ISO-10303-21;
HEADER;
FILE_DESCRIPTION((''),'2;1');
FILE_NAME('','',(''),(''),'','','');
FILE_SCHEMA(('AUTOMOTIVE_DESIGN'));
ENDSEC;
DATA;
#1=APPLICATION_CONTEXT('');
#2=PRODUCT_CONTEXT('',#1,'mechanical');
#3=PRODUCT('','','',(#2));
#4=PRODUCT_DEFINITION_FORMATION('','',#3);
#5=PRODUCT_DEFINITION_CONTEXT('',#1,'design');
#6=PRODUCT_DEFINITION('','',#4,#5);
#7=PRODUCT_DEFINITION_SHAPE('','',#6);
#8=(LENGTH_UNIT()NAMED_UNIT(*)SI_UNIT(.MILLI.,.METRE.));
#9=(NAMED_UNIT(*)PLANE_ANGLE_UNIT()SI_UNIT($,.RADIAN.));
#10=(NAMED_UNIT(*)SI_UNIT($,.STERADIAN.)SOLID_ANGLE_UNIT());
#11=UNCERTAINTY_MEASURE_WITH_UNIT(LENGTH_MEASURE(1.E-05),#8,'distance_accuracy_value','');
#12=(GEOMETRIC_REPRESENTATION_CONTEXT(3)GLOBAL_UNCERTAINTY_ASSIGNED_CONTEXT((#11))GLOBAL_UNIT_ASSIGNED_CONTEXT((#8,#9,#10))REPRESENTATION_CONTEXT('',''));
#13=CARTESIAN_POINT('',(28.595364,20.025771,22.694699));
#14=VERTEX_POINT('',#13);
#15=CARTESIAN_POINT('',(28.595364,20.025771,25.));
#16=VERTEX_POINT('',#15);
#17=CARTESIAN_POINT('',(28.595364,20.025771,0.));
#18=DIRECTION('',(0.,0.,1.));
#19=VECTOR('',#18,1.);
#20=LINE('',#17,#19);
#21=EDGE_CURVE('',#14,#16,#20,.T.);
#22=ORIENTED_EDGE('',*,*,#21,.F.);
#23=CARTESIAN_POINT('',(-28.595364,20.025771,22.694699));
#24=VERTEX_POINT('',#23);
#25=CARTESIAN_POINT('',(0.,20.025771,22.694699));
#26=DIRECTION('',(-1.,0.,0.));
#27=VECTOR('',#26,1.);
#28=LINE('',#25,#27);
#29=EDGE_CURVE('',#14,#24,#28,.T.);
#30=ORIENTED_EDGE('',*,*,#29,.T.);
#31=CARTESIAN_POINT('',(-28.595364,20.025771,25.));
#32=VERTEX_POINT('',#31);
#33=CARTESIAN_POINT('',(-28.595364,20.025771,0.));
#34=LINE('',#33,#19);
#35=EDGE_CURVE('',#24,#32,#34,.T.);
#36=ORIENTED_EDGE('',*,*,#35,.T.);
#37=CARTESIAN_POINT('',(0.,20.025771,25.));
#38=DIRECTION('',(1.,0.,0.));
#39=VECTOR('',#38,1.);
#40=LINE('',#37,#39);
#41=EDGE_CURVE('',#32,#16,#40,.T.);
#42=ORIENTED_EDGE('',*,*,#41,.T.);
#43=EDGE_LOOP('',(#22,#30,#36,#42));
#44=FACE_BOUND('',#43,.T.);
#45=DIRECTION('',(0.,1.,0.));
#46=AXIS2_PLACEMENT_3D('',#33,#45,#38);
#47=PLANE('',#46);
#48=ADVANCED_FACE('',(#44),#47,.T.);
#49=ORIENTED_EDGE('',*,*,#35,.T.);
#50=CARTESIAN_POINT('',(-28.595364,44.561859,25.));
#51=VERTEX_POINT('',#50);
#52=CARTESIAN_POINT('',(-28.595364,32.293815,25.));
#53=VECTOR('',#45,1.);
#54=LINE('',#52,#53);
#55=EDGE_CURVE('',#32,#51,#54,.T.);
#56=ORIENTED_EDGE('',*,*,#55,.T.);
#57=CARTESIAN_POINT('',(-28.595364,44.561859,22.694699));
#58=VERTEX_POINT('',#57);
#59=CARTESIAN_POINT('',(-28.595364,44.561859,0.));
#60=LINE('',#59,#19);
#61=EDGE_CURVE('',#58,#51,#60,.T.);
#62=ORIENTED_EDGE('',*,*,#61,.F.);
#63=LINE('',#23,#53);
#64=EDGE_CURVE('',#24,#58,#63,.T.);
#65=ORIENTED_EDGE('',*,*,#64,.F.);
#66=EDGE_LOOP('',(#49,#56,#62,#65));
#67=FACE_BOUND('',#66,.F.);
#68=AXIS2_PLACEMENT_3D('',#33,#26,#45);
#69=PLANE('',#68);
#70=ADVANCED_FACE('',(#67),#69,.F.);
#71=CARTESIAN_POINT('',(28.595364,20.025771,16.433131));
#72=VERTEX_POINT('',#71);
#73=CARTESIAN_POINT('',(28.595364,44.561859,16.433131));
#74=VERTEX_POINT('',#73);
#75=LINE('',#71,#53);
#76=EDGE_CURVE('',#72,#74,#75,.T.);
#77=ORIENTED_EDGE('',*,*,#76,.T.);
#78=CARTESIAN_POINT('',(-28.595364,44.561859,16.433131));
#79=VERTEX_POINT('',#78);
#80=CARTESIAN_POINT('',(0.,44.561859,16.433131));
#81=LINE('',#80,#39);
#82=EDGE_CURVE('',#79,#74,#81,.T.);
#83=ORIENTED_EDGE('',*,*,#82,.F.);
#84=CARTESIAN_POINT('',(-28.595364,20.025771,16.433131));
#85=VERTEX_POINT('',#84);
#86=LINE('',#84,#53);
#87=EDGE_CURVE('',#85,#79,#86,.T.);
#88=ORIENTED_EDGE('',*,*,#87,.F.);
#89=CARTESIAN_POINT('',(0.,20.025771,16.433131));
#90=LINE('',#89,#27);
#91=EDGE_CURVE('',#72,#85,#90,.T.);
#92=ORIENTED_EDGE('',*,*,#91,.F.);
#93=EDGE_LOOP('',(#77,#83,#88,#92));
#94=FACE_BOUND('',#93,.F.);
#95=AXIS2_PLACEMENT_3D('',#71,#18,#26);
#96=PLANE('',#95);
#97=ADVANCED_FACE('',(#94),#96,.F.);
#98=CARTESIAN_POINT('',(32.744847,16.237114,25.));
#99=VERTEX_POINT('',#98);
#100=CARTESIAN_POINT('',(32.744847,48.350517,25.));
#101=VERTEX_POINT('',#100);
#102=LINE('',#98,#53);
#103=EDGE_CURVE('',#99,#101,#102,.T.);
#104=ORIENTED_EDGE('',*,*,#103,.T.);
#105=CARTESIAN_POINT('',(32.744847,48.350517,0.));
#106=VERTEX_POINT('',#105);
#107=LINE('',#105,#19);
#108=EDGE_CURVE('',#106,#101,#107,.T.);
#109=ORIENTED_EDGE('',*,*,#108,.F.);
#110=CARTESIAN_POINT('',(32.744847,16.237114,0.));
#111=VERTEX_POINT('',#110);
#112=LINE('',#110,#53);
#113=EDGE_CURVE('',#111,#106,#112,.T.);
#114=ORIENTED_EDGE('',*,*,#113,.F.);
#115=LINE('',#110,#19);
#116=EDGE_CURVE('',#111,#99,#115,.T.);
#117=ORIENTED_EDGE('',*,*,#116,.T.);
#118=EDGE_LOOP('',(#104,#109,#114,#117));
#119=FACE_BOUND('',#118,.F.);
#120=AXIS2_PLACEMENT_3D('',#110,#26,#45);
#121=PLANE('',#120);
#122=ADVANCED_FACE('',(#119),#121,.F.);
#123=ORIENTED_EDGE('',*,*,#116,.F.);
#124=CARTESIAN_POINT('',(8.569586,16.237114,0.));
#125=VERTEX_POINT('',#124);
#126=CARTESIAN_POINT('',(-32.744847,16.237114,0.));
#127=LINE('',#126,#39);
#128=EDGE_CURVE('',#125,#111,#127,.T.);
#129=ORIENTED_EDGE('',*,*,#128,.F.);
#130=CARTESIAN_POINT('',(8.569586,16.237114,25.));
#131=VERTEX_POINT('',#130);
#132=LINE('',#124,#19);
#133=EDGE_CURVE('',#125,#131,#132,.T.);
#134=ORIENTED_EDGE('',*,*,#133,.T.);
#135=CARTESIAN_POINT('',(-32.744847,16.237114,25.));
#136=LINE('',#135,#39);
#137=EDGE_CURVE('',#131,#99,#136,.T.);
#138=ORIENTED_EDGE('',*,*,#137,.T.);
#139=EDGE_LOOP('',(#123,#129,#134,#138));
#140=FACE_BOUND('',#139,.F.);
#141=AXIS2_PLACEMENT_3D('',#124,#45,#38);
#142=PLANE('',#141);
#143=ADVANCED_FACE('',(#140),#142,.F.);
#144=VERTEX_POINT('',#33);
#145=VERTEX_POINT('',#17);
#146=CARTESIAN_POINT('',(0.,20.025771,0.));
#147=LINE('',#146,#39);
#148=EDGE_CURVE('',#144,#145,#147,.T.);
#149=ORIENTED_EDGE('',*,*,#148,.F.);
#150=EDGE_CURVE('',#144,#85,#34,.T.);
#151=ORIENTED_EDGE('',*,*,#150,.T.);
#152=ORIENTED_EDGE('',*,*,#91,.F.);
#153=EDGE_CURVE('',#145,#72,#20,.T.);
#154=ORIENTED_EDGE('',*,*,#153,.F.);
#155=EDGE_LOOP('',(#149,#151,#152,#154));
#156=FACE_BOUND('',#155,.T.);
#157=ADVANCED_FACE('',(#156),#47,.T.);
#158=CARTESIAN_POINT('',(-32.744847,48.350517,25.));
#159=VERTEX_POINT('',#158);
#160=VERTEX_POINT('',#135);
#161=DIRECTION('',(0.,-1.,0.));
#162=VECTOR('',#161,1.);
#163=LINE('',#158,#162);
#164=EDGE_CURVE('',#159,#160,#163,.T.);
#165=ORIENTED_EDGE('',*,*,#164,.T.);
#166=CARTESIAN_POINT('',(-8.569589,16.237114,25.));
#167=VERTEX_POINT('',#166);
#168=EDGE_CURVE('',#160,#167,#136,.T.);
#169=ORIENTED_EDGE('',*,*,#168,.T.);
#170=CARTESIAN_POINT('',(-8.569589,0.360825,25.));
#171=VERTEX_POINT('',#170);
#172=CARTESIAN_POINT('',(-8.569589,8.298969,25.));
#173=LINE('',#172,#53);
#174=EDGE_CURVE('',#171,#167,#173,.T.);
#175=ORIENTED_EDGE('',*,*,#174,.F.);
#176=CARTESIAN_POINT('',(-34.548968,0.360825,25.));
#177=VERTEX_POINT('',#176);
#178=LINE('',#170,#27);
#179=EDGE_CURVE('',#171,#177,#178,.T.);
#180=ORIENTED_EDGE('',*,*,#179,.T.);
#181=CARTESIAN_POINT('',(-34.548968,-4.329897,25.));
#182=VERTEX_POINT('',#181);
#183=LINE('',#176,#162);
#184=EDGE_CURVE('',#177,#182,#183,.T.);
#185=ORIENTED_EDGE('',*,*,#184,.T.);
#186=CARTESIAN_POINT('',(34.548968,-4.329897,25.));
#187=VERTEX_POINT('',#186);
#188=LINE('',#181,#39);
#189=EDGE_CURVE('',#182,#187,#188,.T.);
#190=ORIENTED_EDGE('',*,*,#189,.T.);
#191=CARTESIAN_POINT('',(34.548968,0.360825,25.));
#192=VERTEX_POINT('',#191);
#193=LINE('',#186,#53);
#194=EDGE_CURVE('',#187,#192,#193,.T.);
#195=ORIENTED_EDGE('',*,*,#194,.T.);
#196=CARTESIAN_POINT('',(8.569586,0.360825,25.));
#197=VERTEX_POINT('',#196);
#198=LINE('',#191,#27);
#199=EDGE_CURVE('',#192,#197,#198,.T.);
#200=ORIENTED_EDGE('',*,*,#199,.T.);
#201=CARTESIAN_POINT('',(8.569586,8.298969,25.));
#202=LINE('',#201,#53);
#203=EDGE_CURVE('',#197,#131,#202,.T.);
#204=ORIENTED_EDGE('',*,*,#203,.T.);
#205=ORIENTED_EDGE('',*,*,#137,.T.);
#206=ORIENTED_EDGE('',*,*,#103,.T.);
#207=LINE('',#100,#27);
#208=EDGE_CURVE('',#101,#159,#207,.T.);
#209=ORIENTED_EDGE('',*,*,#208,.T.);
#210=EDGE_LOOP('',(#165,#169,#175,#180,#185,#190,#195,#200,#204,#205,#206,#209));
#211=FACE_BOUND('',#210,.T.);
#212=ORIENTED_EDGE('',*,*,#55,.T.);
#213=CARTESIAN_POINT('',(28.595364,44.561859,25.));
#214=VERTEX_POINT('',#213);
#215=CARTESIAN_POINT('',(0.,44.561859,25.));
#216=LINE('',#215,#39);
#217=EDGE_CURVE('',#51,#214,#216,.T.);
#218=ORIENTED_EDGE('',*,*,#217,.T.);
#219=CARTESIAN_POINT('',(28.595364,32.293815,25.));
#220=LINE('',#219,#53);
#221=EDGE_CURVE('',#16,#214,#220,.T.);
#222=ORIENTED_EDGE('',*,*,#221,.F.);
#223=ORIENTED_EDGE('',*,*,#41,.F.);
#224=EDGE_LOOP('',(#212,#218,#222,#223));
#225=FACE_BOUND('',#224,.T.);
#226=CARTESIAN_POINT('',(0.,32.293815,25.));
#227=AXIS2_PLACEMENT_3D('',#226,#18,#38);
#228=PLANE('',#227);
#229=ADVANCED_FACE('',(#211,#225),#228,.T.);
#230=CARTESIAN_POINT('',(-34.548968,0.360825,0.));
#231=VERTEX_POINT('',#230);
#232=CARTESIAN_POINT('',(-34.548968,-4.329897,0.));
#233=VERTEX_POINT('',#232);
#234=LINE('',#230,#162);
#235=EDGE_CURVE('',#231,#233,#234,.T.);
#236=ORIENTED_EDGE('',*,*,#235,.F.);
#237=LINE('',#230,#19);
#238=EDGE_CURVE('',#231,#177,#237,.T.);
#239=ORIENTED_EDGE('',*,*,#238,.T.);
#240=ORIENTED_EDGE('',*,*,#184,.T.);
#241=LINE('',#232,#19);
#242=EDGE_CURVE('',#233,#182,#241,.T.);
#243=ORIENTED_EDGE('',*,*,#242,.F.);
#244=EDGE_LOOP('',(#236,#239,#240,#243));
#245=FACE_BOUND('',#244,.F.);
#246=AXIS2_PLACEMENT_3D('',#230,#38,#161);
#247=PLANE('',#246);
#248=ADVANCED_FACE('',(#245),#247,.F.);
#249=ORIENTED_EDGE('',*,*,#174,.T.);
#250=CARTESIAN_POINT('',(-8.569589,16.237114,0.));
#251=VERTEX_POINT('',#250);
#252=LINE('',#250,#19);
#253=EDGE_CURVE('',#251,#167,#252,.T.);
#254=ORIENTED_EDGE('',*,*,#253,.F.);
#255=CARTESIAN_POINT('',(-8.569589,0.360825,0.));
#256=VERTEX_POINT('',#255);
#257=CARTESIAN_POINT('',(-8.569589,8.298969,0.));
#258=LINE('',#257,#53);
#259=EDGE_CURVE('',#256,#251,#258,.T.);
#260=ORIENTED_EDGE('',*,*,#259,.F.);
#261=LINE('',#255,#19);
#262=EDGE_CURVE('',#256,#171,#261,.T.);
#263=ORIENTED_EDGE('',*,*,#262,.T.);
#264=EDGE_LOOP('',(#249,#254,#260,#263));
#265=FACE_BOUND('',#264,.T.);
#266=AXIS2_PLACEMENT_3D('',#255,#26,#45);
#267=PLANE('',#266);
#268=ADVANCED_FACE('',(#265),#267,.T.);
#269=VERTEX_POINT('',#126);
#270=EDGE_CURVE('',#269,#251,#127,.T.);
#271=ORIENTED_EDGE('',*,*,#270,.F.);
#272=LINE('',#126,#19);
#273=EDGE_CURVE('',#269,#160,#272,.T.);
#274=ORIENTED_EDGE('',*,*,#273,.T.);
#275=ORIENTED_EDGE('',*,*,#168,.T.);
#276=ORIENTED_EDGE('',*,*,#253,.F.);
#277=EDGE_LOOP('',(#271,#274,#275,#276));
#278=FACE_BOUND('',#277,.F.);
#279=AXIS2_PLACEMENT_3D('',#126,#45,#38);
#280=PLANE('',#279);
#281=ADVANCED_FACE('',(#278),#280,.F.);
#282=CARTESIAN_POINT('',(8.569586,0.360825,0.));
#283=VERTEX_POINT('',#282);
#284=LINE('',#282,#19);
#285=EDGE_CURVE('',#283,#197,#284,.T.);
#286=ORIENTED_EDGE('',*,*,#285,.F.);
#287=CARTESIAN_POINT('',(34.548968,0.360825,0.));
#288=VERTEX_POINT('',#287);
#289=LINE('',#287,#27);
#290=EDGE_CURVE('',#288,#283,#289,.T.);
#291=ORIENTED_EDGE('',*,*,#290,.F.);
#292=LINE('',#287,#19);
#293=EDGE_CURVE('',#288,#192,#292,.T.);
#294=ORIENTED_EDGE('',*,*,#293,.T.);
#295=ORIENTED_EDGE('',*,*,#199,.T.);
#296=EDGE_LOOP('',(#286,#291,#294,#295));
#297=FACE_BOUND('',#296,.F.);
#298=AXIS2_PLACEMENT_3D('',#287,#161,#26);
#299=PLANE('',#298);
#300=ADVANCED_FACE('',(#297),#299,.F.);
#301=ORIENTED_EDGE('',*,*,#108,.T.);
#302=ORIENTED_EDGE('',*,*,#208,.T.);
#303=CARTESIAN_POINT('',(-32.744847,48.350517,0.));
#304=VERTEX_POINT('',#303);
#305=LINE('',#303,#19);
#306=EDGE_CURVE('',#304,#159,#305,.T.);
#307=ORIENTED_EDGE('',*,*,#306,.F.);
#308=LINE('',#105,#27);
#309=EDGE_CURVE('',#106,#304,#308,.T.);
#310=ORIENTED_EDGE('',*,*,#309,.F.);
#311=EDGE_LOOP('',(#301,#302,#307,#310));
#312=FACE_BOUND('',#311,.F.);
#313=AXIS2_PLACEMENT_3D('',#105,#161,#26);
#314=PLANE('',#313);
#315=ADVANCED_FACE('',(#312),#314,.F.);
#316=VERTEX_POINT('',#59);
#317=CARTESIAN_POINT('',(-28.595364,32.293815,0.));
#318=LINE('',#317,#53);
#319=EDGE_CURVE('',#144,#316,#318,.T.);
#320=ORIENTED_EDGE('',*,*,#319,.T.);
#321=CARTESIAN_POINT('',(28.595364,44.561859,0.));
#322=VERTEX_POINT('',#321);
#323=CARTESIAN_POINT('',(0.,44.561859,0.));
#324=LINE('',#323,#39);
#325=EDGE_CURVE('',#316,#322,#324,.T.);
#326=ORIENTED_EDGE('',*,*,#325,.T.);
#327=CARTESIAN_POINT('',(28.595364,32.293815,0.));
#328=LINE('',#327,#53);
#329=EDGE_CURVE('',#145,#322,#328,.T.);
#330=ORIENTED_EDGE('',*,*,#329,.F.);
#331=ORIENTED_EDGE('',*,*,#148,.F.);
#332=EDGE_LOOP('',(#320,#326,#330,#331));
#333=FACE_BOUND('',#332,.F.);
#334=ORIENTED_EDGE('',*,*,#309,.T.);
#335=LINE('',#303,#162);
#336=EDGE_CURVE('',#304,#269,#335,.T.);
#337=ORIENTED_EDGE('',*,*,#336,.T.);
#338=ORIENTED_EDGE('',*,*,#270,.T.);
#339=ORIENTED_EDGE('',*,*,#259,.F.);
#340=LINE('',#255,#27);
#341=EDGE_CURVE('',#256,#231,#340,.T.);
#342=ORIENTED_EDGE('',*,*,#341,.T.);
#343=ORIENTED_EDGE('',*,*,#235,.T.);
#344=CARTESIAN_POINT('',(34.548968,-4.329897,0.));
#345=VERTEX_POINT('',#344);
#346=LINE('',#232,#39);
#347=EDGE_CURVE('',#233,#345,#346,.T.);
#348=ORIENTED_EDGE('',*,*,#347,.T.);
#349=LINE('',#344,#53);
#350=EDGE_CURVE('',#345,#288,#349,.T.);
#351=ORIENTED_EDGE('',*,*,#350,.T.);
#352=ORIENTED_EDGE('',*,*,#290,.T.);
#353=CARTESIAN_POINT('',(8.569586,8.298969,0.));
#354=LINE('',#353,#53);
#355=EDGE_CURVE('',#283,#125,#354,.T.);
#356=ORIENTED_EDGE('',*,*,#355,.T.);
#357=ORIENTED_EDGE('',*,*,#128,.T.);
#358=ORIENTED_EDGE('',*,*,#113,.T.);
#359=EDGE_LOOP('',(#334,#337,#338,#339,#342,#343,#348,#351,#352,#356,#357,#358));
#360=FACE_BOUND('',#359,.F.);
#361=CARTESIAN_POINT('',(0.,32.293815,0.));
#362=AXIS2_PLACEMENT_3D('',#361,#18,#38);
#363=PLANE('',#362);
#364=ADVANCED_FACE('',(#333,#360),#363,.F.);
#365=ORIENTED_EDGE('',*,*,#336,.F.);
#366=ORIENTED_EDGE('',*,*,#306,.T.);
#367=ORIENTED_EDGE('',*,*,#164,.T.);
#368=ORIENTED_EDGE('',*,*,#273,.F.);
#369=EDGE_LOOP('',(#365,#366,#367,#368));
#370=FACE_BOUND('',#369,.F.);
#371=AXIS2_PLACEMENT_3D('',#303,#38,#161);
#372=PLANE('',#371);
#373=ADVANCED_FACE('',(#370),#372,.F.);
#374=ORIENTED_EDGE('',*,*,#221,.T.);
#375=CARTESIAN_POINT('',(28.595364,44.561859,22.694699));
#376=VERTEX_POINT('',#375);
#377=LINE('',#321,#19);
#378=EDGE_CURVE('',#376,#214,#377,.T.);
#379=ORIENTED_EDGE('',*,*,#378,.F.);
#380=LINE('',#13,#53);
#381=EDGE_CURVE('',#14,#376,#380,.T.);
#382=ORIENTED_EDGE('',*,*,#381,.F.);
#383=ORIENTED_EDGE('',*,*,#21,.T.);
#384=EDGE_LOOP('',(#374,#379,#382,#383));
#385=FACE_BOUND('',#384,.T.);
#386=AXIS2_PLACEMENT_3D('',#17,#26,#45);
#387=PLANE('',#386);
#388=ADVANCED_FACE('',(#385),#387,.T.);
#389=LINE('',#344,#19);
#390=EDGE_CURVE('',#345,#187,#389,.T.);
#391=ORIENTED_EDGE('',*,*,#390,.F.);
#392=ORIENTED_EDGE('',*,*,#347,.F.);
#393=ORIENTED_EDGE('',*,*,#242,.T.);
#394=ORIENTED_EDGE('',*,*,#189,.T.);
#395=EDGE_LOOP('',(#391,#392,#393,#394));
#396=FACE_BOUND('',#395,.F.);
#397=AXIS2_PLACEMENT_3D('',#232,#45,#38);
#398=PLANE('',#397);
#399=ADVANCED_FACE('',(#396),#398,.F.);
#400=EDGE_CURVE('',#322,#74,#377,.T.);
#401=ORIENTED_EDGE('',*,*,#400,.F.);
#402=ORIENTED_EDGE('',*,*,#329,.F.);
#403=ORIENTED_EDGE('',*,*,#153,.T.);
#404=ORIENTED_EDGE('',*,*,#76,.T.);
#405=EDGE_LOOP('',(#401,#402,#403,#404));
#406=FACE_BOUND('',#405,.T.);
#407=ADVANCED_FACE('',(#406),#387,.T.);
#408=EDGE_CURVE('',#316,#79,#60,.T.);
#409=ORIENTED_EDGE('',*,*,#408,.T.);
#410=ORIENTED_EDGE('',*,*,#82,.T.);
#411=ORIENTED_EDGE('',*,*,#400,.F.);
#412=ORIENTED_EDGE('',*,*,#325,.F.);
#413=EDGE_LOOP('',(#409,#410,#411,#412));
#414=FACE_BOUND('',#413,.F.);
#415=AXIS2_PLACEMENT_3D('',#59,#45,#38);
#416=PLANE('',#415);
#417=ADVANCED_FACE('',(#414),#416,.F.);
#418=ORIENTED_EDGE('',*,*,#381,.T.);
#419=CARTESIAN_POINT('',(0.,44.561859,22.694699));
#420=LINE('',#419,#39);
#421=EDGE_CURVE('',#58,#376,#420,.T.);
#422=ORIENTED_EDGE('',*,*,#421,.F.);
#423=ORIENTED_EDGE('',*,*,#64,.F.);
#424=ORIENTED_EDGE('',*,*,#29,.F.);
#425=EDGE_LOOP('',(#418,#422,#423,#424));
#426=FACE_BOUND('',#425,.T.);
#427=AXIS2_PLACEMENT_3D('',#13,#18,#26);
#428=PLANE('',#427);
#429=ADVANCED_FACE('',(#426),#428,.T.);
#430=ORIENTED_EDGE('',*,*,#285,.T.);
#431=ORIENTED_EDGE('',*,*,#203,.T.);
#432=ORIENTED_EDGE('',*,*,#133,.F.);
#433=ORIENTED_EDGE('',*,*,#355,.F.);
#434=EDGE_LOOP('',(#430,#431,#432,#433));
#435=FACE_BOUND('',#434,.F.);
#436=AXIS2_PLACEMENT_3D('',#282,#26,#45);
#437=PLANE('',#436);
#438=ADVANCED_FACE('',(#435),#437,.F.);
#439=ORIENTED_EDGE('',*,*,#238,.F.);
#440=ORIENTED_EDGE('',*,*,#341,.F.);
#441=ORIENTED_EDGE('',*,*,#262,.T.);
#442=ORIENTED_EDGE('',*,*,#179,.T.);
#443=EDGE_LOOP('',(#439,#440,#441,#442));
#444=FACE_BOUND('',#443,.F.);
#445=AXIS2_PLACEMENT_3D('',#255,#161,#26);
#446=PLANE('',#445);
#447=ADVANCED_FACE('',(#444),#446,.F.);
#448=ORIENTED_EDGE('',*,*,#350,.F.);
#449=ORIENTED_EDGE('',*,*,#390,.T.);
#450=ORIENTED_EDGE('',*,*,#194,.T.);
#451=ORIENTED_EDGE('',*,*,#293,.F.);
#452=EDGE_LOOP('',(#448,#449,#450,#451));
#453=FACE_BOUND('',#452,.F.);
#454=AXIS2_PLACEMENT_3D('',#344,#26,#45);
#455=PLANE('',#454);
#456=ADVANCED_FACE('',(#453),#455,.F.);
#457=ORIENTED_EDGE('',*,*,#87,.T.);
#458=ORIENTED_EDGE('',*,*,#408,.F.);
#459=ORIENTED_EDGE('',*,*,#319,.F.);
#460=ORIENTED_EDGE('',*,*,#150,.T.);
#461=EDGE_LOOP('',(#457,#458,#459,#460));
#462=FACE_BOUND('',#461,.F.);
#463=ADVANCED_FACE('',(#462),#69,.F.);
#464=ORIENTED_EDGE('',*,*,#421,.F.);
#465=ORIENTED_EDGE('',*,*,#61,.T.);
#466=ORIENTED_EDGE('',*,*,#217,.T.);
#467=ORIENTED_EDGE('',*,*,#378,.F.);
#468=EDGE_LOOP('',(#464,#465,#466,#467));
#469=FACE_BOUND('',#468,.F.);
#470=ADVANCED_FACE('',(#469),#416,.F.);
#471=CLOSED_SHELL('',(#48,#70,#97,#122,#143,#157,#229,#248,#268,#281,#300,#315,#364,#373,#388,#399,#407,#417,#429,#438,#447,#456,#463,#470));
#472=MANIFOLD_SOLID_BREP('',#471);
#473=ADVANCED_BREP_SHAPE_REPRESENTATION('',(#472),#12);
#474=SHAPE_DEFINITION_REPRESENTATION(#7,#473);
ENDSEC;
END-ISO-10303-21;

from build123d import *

# Parameters (mm, degrees)
F0_W     = 57.1907274425
F0_H     = 24.536088109
F0_W_2   = 17.1391749755
F0_H_2   = 15.8762889914
F0_H_3   = 0.3608246334
F1_DEPTH = 25
F2_W     = 57.1907274425
F2_H     = 6.2615685165
F3_DEPTH = 25.4


with BuildPart() as f1:
    # F0 (on Top) → F1 (new body)
    with BuildSketch(Plane.XY):
        Polygon((32.7448472381, 16.2371136248), (32.7448472381, 48.3505167067), (-32.7448472381, 48.3505167067), (-32.7448472381, 16.2371136248), (-8.5695888847, 16.2371136248), (8.5695860907, 16.2371136248), align=None)
        with Locations((0, 32.2938151658)):
            Rectangle(F0_W, F0_H, mode=Mode.SUBTRACT)
        with Locations((-1.397e-06, 8.2989691291)):
            Rectangle(F0_W_2, F0_H_2)
        Polygon((34.5489680767, 0.3608246334), (8.5695860907, 0.3608246334), (8.5695860907, 0), (-8.5695888847, 0), (-8.5695888847, 0.3608246334), (-34.5489680767, 0.3608246334), (-34.5489680767, -4.3298969977), (34.5489680767, -4.3298969977), align=None)
        with Locations((-1.397e-06, 0.1804123167)):
            Rectangle(F0_W_2, F0_H_3)
    extrude(amount=F1_DEPTH)

    # F2 (on face) → F3 (join)
    with BuildSketch(Plane(origin=(0, 20.0257711112, 0), x_dir=(-1, 0, 0), z_dir=(0, 1, 0))):
        with Locations((0, 19.563915208)):
            Rectangle(F2_W, F2_H)
    extrude(amount=F3_DEPTH)


solid = f1.part
